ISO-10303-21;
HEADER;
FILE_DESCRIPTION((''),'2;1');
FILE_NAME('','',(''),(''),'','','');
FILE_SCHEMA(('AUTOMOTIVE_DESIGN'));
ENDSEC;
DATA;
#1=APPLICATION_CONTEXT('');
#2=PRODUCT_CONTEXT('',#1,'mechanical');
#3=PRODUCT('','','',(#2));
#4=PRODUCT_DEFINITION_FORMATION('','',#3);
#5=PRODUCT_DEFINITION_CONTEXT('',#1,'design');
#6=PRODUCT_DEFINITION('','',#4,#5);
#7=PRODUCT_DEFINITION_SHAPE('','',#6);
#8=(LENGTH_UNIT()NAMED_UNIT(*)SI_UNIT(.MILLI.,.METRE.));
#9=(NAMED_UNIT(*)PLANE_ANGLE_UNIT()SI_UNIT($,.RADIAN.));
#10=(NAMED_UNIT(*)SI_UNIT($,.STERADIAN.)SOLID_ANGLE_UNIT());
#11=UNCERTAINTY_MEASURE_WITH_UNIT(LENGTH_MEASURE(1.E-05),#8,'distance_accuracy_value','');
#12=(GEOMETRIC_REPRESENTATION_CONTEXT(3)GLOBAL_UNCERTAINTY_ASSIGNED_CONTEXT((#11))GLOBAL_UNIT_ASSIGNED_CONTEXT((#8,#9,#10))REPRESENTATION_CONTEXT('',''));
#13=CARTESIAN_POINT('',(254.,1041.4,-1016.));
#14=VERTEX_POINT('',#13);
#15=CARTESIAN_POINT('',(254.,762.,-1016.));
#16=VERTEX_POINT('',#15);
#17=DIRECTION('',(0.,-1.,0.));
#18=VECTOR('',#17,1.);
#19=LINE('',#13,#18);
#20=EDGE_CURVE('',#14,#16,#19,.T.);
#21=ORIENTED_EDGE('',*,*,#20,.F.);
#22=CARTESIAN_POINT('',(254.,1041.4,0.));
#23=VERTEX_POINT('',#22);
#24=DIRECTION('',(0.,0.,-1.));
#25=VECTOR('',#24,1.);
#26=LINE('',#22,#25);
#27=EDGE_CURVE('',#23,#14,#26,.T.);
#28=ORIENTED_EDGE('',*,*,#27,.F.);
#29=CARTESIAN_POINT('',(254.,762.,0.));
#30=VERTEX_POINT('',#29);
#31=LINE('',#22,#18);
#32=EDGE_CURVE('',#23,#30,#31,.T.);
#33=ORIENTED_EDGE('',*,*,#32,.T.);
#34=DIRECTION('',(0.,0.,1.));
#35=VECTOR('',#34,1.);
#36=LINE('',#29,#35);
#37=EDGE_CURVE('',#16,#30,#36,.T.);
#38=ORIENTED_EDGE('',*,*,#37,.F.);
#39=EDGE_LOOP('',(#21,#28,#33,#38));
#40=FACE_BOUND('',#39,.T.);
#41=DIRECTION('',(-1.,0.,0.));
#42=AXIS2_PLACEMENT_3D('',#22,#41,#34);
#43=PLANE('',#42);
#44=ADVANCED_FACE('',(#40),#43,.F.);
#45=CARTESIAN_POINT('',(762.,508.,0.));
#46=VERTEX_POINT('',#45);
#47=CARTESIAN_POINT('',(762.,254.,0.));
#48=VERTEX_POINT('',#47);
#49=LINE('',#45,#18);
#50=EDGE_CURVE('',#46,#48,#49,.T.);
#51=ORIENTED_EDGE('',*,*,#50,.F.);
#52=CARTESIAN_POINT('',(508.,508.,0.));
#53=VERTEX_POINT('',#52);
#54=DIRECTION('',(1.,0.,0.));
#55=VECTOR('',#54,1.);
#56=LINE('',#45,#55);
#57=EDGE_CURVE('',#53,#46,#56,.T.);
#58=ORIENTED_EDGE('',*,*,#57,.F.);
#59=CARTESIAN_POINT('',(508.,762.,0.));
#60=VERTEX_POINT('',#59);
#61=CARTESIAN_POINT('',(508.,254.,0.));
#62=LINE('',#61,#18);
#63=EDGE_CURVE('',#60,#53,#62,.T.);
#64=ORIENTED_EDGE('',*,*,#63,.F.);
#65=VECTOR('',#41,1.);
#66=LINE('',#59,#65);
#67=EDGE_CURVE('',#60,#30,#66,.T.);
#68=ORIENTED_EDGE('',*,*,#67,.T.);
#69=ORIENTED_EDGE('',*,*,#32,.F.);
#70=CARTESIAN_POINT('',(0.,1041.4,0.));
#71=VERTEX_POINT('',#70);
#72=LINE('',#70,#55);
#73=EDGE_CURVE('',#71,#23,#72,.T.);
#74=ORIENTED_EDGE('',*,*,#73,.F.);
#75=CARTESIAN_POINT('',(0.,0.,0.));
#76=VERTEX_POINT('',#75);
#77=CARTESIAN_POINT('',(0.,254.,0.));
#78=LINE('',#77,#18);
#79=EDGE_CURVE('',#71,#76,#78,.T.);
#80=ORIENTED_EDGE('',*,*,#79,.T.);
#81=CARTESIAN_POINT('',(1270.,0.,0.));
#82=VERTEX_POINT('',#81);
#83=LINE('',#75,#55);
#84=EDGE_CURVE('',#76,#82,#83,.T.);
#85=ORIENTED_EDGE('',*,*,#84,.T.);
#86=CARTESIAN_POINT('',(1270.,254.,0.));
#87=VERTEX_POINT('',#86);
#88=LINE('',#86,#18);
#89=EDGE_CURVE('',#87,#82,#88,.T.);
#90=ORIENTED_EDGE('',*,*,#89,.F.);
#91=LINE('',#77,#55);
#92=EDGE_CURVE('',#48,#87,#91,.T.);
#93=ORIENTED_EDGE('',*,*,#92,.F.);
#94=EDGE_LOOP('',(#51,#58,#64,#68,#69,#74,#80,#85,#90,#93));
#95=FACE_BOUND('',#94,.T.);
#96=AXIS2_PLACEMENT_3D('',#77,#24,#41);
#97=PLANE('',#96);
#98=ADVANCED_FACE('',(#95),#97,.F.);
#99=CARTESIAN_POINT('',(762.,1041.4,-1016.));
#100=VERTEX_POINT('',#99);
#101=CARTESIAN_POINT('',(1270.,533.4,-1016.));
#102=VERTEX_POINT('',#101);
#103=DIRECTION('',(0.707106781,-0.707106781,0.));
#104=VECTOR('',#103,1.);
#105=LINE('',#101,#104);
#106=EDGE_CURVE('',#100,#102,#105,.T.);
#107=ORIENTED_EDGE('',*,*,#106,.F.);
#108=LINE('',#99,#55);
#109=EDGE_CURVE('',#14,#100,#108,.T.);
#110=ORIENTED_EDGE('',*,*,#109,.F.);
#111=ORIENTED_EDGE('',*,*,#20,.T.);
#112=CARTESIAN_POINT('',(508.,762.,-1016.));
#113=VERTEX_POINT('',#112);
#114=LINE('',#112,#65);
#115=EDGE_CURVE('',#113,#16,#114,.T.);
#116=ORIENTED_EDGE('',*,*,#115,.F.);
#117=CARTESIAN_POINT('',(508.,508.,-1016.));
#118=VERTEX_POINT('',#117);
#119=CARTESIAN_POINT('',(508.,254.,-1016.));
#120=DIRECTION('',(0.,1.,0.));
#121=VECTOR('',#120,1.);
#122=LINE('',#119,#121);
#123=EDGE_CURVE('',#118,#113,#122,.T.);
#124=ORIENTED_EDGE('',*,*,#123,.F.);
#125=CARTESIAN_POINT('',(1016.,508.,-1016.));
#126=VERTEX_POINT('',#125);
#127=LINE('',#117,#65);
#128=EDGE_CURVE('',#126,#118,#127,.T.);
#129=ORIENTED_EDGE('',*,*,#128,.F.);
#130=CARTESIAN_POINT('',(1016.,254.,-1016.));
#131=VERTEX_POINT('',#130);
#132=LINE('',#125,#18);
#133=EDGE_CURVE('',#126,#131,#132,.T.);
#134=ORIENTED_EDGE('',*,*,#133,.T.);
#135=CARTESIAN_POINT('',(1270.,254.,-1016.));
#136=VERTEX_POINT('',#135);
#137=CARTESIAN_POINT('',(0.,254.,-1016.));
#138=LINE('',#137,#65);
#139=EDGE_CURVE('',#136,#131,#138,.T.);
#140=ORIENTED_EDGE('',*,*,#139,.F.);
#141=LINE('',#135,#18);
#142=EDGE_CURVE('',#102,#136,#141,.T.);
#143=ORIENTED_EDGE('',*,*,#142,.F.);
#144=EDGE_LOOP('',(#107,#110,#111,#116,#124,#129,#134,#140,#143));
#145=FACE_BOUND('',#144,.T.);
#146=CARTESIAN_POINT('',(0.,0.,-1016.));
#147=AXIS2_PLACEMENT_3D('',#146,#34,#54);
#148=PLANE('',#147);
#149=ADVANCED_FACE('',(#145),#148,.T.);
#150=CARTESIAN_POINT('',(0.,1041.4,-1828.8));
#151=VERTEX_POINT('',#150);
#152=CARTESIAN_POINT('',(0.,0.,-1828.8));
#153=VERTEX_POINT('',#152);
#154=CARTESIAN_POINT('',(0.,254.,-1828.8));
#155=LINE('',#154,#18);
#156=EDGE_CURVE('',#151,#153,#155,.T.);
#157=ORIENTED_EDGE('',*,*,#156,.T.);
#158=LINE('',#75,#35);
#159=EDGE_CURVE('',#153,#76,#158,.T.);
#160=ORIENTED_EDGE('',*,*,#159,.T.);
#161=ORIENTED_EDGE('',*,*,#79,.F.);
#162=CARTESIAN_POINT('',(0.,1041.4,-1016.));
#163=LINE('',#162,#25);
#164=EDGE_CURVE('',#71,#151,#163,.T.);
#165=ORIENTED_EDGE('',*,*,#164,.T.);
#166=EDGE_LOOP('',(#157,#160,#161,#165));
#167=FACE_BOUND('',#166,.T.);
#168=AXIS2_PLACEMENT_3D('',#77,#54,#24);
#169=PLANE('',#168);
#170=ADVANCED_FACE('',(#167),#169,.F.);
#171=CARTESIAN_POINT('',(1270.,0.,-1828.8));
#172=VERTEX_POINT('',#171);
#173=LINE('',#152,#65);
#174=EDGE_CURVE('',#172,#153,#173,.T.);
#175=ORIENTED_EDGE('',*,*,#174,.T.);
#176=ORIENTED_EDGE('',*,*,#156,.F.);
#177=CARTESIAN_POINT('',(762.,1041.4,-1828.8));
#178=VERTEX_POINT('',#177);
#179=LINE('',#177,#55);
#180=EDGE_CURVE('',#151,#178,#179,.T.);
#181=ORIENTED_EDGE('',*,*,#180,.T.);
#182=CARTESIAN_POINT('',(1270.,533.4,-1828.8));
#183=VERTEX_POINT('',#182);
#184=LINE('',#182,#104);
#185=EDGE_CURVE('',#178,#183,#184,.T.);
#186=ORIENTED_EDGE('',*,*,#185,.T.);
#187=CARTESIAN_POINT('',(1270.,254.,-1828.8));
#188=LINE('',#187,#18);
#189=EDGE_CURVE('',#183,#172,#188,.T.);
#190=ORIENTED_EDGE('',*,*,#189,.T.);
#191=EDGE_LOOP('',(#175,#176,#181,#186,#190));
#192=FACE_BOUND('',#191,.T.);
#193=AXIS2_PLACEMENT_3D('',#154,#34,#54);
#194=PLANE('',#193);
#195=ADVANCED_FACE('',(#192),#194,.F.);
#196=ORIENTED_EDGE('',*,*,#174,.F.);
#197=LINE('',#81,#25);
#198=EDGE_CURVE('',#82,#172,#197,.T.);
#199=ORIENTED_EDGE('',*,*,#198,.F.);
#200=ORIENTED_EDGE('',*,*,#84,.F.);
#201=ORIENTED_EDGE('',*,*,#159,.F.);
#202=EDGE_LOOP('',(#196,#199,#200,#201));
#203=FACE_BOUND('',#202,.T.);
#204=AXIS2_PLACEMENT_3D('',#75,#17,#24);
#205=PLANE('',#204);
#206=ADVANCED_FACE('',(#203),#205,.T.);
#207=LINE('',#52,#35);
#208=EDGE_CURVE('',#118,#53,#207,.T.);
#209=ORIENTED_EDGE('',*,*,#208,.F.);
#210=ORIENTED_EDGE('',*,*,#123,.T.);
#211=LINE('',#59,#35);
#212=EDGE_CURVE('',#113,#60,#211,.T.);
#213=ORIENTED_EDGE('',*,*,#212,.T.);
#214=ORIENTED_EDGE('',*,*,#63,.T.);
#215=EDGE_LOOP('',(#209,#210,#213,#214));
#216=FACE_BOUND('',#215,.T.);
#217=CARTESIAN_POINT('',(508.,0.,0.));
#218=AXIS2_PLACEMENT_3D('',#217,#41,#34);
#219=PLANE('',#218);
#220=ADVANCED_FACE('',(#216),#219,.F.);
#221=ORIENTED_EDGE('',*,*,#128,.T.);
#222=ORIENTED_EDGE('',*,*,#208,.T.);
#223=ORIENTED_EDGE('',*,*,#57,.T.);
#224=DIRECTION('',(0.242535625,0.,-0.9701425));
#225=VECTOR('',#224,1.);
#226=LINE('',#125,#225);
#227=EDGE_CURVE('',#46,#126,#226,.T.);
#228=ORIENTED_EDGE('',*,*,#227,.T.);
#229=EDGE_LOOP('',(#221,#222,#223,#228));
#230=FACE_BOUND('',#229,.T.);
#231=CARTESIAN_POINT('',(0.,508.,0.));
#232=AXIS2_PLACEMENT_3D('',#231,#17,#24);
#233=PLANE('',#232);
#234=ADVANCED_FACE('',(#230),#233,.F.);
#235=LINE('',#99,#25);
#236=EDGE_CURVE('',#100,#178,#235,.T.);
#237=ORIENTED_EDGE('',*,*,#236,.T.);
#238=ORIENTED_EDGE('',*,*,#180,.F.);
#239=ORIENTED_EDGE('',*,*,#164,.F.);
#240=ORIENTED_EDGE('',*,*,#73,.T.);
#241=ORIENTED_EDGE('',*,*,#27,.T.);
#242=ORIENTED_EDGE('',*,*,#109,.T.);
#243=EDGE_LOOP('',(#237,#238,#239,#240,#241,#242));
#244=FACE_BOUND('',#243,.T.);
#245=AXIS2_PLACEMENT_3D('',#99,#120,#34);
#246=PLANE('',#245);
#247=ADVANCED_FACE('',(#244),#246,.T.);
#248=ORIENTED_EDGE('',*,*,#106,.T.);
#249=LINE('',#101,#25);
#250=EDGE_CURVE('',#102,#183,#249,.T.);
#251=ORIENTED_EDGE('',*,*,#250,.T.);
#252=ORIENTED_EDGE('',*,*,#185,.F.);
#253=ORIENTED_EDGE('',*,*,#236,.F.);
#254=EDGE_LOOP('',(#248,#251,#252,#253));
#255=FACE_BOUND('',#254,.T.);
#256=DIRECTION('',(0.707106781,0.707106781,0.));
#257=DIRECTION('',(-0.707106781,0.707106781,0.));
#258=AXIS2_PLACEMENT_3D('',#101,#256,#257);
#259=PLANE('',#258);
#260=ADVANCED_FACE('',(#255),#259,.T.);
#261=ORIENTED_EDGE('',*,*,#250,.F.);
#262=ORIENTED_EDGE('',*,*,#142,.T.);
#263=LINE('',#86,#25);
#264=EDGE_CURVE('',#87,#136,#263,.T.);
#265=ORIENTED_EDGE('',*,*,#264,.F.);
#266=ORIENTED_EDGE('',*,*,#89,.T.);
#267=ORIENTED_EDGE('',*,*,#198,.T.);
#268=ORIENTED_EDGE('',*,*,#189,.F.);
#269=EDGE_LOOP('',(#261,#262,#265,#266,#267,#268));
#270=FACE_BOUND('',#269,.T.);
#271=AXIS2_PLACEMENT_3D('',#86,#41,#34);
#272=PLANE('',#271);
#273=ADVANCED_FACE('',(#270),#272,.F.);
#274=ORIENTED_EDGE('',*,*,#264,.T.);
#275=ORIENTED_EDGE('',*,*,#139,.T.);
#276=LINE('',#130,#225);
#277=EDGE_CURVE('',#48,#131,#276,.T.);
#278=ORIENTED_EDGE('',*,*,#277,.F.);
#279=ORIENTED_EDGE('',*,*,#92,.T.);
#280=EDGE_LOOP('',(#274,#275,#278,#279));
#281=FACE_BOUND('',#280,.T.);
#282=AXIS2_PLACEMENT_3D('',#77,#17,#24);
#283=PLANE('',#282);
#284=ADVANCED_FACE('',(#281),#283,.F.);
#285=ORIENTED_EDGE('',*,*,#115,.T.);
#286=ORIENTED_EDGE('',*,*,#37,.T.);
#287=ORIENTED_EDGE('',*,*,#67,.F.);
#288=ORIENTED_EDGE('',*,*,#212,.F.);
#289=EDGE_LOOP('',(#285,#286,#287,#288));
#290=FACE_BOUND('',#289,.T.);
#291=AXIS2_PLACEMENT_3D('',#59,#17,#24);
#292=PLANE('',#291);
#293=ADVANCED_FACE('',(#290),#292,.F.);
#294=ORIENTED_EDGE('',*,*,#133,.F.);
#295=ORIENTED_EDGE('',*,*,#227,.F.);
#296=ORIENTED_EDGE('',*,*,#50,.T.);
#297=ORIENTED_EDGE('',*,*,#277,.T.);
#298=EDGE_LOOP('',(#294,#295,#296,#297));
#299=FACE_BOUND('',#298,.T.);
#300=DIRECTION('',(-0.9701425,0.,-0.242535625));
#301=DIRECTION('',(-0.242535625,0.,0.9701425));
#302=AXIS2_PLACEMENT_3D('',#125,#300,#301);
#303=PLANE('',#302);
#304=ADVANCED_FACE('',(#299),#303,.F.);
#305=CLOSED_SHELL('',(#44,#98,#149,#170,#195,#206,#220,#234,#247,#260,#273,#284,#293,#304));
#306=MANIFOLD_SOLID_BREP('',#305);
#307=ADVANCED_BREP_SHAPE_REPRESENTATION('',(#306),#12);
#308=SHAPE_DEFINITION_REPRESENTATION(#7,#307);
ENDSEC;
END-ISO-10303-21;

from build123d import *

# Parameters (mm, degrees)
SKETCH1_W           = 1270
SKETCH1_H           = 1828.8
BOSS_EXTRUDE1_DEPTH = 254
BOSS_EXTRUDE2_DEPTH = 812.8
SKETCH3_W           = 254
SKETCH3_H           = 1016
BOSS_EXTRUDE4_DEPTH = 787.4
SKETCH6_W           = 1016
SKETCH6_H           = 508
BOSS_EXTRUDE5_DEPTH = 254
BOSS_EXTRUDE6_DEPTH = 254


with BuildPart() as part:
    # Sketch1 → Boss-Extrude1 (new body)
    with BuildSketch(Plane(origin=(0, 0, 0), x_dir=(1, 0, 0), z_dir=(0, 1, 0))):
        with Locations((635, 914.4)):
            Rectangle(SKETCH1_W, SKETCH1_H)
    extrude(amount=BOSS_EXTRUDE1_DEPTH)

    # Sketch2 → Boss-Extrude2 (add)
    with BuildSketch(Plane(origin=(0, 0, -1828.8), x_dir=(-1, 0, 0), z_dir=(0, 0, -1))):
        Polygon((-1270, 254), (-1270, 533.4), (-762, 1041.4), (0, 1041.4), (0, 254), align=None)
    extrude(amount=-BOSS_EXTRUDE2_DEPTH)

    # Sketch3 → Boss-Extrude4 (add)
    with BuildSketch(Plane(origin=(0, 254, 0), x_dir=(1, 0, 0), z_dir=(0, 1, 0))):
        with Locations((127, 508)):
            Rectangle(SKETCH3_W, SKETCH3_H)
    extrude(amount=BOSS_EXTRUDE4_DEPTH)

    # Sketch6 → Boss-Extrude5 (add)
    with BuildSketch(Plane(origin=(254, 0, 0), x_dir=(0, 0, -1), z_dir=(1, 0, 0))):
        with Locations((508, 508)):
            Rectangle(SKETCH6_W, SKETCH6_H)
    extrude(amount=BOSS_EXTRUDE5_DEPTH)

    # Sketch7 → Boss-Extrude6 (add)
    with BuildSketch(Plane(origin=(0, 254, 0), x_dir=(1, 0, 0), z_dir=(0, 1, 0))):
        Polygon((508, 1016), (1016, 1016), (762, 0), (508, 0), align=None)
    extrude(amount=BOSS_EXTRUDE6_DEPTH)


solid = part.part
